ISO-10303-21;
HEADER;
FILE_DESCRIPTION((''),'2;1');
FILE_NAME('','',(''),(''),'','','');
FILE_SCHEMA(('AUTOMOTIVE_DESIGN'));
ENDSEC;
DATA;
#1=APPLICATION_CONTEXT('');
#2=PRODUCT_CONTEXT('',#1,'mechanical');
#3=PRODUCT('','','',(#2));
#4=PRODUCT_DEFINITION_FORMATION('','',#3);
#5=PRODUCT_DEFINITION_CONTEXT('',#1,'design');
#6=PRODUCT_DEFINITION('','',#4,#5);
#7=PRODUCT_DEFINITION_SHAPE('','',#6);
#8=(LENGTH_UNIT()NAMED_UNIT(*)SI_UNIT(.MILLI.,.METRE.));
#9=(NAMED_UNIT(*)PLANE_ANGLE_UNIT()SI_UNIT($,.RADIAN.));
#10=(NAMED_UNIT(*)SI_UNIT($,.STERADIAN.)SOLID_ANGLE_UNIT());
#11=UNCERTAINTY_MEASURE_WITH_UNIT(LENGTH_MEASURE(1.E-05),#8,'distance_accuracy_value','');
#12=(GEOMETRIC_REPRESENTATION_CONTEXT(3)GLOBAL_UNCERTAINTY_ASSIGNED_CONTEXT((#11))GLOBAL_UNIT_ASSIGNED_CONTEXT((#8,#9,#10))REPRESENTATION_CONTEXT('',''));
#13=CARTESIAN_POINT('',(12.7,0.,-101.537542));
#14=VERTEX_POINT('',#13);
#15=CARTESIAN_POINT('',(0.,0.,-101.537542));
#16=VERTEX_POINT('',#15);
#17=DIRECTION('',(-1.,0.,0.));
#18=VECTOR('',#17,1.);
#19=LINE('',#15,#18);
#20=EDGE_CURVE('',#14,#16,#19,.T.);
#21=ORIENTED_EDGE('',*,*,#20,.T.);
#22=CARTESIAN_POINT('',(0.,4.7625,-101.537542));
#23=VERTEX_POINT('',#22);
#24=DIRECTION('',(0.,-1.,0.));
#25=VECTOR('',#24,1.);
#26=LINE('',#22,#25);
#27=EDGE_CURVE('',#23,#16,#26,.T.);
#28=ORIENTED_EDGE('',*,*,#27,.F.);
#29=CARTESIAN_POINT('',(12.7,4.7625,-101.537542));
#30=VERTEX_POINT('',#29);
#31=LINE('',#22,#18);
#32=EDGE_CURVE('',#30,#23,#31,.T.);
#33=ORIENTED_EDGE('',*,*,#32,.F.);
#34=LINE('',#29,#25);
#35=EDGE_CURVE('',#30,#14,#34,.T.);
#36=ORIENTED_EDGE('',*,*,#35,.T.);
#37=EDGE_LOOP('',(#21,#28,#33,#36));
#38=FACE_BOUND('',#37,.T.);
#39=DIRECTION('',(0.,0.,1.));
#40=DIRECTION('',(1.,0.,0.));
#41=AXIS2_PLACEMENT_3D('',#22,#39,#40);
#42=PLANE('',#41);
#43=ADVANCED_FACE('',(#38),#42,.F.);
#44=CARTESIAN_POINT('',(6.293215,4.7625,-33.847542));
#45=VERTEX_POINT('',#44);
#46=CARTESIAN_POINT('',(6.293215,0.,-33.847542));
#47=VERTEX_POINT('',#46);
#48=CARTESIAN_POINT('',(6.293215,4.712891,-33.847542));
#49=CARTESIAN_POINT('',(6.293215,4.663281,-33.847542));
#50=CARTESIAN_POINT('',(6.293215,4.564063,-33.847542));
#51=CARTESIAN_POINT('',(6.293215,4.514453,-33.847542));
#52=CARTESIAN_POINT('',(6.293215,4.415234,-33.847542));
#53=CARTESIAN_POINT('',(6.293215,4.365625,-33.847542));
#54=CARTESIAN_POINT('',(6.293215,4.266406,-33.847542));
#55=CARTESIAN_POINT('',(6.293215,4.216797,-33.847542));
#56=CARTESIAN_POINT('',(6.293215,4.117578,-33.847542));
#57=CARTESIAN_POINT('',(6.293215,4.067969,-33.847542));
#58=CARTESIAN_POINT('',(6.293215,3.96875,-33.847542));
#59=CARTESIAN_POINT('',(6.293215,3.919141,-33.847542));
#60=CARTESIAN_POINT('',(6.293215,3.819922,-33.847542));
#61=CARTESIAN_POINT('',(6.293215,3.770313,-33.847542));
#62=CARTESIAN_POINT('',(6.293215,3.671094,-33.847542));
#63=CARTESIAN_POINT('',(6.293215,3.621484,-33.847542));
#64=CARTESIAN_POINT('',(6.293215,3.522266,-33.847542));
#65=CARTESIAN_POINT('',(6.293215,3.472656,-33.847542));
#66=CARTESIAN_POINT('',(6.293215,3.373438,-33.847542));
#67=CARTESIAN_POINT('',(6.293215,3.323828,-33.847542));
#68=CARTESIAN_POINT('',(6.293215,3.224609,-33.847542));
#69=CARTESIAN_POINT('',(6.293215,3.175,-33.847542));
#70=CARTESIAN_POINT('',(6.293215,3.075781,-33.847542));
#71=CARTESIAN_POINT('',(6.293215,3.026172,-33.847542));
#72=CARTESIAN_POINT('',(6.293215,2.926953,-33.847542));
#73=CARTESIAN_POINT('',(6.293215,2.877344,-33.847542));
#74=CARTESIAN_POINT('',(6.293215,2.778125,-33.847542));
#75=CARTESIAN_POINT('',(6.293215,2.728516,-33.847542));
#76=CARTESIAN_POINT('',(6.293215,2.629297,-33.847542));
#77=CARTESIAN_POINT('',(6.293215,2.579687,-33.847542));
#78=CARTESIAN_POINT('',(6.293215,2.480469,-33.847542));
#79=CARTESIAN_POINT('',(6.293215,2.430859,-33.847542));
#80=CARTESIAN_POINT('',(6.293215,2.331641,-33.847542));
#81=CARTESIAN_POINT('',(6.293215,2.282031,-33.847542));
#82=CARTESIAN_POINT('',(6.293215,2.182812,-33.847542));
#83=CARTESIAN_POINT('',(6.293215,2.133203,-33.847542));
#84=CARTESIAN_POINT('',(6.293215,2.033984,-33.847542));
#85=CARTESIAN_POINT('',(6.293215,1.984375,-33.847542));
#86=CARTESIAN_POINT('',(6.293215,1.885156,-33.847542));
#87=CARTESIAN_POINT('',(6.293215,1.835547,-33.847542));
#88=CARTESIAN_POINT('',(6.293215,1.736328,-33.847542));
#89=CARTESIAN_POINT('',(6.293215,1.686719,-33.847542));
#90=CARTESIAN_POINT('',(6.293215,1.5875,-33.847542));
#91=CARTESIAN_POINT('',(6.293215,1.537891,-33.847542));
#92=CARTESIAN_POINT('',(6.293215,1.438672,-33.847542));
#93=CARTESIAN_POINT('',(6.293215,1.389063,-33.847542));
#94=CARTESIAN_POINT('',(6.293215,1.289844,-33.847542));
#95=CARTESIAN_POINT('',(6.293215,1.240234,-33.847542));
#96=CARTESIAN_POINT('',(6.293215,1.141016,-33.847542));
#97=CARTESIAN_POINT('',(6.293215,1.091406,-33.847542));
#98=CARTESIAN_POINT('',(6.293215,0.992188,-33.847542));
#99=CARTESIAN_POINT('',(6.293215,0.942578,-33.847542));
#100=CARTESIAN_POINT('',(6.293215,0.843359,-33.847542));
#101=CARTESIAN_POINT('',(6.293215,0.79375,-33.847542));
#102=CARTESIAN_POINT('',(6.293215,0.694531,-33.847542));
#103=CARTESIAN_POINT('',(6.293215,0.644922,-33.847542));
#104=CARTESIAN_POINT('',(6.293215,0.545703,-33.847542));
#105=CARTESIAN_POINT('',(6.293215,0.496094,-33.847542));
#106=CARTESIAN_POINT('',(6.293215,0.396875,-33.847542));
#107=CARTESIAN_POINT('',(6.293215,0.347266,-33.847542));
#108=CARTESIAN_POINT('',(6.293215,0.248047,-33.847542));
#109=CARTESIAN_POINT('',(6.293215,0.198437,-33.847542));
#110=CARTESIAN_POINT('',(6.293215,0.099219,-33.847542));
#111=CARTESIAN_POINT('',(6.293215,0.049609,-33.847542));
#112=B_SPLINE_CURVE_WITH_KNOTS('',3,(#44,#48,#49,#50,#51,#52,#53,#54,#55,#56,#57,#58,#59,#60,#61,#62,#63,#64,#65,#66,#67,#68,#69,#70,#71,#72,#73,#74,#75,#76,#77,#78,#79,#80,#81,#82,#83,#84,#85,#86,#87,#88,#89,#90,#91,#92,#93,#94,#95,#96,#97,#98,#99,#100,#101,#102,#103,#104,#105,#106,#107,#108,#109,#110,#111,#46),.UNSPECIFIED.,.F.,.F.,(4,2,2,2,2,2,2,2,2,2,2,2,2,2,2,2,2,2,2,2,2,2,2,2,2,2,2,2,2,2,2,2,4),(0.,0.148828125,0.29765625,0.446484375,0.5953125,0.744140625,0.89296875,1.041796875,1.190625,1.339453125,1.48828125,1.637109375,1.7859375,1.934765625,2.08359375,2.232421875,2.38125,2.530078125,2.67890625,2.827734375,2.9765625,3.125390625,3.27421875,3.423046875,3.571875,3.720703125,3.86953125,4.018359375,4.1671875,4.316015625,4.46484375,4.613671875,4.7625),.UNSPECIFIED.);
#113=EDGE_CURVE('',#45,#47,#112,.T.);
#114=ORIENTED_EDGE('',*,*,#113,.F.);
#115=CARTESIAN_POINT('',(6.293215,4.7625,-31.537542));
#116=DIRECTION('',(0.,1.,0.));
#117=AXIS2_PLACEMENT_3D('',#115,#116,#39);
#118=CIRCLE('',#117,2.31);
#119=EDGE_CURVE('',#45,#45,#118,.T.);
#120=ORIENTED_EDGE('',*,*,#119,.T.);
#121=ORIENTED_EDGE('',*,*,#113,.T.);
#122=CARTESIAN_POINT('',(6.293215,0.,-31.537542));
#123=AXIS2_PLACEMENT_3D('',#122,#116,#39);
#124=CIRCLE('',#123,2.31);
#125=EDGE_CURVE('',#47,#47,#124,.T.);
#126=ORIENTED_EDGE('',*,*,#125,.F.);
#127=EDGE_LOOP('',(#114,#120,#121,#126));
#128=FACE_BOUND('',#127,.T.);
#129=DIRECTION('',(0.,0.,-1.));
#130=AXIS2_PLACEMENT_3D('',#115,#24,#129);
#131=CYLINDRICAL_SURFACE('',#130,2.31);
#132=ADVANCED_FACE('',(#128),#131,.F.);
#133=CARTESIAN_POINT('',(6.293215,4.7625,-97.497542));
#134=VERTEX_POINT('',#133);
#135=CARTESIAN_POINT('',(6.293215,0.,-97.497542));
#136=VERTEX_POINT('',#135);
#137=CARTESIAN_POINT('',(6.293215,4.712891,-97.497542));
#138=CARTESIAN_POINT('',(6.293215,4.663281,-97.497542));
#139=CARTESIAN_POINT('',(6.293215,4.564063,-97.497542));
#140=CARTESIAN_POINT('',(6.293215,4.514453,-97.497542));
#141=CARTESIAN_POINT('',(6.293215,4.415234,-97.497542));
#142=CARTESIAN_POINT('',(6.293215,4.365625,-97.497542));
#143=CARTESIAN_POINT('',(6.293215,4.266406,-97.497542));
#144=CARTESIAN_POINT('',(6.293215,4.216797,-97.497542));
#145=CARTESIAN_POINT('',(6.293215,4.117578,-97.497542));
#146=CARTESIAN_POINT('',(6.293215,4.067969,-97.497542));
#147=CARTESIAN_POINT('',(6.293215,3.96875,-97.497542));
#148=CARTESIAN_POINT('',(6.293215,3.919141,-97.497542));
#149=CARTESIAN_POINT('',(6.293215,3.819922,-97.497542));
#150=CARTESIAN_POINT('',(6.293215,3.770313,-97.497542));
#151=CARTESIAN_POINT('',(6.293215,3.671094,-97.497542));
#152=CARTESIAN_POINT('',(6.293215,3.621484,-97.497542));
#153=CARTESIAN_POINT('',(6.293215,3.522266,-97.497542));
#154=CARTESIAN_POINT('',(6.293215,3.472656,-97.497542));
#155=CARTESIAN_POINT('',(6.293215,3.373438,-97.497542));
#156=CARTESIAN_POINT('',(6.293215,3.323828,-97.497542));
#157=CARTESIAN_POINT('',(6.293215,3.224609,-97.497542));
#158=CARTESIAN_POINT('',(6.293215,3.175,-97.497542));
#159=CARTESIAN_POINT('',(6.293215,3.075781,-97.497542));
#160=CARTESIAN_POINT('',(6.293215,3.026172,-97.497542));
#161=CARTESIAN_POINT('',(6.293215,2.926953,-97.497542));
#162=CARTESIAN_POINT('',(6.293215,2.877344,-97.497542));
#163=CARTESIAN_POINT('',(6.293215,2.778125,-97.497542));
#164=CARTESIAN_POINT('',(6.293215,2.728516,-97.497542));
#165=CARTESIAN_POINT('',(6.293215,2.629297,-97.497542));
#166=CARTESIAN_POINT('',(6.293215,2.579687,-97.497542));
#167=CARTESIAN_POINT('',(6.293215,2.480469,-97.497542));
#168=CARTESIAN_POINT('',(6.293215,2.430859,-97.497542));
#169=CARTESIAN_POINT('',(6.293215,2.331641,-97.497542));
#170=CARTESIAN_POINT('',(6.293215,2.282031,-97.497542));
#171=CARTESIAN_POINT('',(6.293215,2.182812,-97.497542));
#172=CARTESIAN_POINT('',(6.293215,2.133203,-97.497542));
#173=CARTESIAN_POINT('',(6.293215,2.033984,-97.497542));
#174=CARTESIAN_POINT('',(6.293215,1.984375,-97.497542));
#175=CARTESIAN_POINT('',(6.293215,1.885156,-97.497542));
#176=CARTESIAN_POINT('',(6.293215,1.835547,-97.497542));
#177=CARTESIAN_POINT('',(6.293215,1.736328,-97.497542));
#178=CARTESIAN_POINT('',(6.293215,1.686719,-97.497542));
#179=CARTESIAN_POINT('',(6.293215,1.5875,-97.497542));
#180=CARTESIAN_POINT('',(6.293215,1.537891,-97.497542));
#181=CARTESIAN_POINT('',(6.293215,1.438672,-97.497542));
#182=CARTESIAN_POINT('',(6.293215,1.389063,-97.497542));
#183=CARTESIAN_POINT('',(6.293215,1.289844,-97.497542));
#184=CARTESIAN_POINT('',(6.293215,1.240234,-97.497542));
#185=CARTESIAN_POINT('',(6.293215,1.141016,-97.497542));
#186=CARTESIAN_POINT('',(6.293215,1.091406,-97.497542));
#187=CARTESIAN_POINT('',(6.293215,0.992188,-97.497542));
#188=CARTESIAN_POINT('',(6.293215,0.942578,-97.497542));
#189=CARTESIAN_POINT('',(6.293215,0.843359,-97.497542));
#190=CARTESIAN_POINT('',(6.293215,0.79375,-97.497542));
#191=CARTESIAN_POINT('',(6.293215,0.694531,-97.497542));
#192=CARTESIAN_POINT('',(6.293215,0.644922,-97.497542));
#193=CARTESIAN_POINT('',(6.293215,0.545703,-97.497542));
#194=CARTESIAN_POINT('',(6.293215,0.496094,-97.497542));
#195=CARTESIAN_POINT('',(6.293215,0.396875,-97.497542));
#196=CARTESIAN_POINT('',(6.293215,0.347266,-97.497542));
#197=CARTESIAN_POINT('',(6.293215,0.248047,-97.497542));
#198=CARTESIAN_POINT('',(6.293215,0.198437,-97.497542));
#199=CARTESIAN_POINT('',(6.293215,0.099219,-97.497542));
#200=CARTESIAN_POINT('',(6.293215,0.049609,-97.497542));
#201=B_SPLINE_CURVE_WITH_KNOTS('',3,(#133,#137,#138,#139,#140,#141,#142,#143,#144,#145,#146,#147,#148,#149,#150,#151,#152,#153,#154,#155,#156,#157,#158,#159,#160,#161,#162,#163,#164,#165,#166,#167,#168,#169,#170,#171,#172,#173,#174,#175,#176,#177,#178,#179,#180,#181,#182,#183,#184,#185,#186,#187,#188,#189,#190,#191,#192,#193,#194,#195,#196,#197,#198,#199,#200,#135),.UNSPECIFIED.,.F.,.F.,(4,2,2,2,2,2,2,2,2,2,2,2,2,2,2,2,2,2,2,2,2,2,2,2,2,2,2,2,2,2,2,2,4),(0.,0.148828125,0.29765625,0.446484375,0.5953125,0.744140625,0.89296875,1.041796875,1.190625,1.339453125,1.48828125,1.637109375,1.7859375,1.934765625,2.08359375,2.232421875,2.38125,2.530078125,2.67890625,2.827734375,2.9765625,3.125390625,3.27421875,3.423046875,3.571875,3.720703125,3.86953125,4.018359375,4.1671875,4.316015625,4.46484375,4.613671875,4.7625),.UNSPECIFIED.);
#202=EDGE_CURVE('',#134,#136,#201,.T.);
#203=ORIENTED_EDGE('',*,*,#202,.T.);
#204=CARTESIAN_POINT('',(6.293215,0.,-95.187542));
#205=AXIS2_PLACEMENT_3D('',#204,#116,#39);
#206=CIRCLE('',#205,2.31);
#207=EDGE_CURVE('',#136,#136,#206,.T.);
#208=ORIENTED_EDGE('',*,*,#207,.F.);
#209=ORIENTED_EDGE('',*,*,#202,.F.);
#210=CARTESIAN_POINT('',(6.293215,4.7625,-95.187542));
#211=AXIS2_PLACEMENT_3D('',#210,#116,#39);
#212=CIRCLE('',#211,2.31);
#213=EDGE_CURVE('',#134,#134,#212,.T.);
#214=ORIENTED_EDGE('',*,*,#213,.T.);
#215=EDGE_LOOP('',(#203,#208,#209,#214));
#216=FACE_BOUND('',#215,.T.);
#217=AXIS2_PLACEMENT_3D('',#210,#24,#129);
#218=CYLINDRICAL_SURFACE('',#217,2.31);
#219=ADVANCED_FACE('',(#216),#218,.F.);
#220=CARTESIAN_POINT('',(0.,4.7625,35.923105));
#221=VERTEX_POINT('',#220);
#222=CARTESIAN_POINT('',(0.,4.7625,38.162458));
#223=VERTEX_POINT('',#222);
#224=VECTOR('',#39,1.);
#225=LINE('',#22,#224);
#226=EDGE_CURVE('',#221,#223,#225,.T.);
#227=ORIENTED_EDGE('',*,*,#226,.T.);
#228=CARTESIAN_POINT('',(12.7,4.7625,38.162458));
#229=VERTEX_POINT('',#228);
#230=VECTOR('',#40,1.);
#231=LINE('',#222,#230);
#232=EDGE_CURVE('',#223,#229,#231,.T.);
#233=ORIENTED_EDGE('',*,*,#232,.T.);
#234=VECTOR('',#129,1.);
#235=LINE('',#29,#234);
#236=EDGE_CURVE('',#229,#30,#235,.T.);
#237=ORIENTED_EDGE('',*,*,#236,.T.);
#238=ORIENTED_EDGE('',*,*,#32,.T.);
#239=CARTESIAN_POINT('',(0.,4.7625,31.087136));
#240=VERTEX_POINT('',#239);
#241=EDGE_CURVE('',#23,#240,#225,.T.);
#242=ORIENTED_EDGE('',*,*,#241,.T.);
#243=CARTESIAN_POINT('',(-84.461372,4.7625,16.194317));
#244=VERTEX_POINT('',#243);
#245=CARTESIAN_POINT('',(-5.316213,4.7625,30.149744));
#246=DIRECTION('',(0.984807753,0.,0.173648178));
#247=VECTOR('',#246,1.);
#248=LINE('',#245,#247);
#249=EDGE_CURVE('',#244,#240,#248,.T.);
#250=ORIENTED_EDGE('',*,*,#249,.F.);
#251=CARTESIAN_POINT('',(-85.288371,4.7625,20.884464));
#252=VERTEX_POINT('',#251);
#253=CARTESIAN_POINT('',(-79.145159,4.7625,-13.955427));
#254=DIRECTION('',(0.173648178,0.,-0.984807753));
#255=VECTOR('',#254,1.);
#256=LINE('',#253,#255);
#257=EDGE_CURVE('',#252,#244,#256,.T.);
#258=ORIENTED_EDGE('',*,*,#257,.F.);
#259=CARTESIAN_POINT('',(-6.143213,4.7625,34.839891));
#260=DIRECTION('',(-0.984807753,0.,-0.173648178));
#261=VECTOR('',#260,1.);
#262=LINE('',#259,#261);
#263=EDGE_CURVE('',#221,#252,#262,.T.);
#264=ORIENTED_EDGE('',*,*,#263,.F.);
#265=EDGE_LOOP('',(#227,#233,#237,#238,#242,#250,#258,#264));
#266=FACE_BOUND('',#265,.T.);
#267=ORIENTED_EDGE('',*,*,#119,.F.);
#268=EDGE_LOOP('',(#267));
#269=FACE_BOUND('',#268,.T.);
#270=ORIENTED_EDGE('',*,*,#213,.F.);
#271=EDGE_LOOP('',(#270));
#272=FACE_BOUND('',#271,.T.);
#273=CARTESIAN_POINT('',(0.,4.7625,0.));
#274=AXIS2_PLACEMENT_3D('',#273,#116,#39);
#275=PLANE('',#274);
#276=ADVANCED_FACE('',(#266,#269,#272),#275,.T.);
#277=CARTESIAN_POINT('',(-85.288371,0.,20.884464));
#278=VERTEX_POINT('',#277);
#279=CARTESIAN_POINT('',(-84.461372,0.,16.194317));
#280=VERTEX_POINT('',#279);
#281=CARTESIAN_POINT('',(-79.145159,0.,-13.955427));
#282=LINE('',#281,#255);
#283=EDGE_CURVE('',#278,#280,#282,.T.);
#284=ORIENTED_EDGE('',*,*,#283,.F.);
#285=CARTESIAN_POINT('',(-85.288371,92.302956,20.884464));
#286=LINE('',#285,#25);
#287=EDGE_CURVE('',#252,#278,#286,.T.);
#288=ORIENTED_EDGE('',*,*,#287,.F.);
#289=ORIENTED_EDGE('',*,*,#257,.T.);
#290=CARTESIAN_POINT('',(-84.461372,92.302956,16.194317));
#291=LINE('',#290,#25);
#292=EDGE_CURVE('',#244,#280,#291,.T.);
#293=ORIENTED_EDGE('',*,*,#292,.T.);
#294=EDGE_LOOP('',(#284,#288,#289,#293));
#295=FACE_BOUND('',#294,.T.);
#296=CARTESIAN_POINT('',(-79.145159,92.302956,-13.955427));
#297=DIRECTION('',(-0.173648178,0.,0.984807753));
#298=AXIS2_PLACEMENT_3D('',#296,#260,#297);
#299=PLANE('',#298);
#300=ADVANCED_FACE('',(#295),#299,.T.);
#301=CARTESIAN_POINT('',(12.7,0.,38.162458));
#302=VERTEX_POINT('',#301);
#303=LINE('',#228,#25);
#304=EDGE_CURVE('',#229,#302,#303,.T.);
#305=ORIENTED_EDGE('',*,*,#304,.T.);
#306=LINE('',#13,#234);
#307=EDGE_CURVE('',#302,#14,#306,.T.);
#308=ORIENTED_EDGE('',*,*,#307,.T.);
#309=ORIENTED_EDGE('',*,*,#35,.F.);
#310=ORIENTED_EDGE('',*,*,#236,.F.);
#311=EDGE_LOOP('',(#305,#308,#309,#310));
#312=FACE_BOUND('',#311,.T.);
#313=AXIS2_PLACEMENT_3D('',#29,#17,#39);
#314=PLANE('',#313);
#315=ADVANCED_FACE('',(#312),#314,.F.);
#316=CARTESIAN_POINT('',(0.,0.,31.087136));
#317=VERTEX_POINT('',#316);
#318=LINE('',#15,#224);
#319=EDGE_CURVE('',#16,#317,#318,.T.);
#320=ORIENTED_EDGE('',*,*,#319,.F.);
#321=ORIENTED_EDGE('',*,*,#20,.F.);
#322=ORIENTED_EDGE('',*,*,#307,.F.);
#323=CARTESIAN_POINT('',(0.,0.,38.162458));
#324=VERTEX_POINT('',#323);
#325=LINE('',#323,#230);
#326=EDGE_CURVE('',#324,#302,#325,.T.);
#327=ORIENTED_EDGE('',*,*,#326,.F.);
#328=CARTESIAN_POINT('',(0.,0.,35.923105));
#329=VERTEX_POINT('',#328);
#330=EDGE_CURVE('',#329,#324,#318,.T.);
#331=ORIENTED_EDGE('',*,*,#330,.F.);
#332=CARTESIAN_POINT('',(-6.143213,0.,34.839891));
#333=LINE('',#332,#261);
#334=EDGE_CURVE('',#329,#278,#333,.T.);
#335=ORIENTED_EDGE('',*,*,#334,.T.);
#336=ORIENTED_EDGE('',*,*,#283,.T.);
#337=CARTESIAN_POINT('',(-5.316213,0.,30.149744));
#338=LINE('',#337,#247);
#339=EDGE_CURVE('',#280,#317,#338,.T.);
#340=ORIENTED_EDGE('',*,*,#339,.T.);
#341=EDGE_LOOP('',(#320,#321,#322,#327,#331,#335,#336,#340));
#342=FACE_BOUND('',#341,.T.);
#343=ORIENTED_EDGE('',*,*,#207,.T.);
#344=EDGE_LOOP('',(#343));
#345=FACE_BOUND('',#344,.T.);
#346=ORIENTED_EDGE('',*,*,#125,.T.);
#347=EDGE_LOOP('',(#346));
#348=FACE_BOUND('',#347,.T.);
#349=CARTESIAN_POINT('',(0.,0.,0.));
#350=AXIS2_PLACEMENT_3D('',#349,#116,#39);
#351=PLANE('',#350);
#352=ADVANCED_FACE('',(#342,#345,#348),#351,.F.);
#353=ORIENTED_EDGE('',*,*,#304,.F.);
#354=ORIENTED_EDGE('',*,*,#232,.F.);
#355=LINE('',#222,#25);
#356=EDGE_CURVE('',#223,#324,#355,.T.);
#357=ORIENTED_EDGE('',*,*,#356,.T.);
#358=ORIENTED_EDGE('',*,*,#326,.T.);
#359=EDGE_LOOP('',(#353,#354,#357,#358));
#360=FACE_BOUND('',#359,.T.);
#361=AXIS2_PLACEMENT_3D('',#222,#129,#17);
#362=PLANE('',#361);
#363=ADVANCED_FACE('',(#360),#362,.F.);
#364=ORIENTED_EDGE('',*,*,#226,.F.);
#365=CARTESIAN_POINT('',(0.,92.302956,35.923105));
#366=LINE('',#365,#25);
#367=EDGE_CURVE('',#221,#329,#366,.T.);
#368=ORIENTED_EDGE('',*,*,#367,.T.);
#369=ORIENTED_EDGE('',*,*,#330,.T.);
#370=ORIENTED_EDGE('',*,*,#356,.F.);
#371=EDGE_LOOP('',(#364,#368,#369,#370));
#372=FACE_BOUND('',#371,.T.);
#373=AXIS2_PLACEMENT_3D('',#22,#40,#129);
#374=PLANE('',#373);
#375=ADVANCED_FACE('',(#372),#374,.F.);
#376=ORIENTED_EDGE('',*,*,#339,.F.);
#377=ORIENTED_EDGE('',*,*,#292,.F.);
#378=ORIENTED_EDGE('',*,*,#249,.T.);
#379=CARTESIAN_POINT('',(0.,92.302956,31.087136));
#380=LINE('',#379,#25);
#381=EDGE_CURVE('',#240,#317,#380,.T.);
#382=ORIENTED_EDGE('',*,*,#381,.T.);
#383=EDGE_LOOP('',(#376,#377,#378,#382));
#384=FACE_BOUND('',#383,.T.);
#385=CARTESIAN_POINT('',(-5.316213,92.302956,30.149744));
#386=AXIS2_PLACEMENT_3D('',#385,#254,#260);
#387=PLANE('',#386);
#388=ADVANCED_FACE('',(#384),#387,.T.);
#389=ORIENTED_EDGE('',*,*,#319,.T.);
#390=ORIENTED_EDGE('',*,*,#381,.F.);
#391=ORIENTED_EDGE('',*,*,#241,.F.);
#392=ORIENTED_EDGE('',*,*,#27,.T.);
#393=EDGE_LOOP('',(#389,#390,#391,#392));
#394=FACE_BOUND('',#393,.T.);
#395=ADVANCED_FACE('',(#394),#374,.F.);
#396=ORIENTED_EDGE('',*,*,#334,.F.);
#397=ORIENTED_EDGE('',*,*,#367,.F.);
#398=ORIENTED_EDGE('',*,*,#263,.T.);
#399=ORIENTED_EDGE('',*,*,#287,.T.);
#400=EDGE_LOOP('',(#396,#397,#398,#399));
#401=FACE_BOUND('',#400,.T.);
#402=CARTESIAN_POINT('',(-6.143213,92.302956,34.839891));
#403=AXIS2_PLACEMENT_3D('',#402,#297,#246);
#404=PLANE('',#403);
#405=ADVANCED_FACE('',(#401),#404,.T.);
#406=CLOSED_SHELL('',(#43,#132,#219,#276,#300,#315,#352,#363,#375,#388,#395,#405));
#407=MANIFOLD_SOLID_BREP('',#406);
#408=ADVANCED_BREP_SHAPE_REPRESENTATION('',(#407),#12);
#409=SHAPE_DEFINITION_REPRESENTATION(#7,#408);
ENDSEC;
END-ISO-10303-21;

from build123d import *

# Parameters (mm, degrees)
SKETCH1_W           = 12.7
SKETCH1_H           = 139.7
SKETCH1_R           = 2.31
BOSS_EXTRUDE1_DEPTH = 4.7625
BOSS_EXTRUDE2_DEPTH = 4.7625


with BuildPart() as part:
    # Sketch1 → Boss-Extrude1 (new body)
    with BuildSketch(Plane(origin=(0, 0, 0), x_dir=(1, 0, 0), z_dir=(0, 1, 0))):
        with Locations((6.35, 31.687542426)):
            Rectangle(SKETCH1_W, SKETCH1_H)
        with Locations(Location((6.293214881, 95.187542426, 0), (0, 0, 90))):
            Circle(SKETCH1_R, mode=Mode.SUBTRACT)
        with Locations(Location((6.293214881, 31.537542426, 0), (0, 0, 90))):
            Circle(SKETCH1_R, mode=Mode.SUBTRACT)
    extrude(amount=BOSS_EXTRUDE1_DEPTH)

    # Sketch2 → Boss-Extrude2 (add)
    with BuildSketch(Plane.XZ):
        Polygon((0, 31.08713568), (0, 35.923104919), (-85.288371425, 20.884463896), (-84.461371979, 16.194316973), align=None)
    extrude(amount=-BOSS_EXTRUDE2_DEPTH)


solid = part.part
